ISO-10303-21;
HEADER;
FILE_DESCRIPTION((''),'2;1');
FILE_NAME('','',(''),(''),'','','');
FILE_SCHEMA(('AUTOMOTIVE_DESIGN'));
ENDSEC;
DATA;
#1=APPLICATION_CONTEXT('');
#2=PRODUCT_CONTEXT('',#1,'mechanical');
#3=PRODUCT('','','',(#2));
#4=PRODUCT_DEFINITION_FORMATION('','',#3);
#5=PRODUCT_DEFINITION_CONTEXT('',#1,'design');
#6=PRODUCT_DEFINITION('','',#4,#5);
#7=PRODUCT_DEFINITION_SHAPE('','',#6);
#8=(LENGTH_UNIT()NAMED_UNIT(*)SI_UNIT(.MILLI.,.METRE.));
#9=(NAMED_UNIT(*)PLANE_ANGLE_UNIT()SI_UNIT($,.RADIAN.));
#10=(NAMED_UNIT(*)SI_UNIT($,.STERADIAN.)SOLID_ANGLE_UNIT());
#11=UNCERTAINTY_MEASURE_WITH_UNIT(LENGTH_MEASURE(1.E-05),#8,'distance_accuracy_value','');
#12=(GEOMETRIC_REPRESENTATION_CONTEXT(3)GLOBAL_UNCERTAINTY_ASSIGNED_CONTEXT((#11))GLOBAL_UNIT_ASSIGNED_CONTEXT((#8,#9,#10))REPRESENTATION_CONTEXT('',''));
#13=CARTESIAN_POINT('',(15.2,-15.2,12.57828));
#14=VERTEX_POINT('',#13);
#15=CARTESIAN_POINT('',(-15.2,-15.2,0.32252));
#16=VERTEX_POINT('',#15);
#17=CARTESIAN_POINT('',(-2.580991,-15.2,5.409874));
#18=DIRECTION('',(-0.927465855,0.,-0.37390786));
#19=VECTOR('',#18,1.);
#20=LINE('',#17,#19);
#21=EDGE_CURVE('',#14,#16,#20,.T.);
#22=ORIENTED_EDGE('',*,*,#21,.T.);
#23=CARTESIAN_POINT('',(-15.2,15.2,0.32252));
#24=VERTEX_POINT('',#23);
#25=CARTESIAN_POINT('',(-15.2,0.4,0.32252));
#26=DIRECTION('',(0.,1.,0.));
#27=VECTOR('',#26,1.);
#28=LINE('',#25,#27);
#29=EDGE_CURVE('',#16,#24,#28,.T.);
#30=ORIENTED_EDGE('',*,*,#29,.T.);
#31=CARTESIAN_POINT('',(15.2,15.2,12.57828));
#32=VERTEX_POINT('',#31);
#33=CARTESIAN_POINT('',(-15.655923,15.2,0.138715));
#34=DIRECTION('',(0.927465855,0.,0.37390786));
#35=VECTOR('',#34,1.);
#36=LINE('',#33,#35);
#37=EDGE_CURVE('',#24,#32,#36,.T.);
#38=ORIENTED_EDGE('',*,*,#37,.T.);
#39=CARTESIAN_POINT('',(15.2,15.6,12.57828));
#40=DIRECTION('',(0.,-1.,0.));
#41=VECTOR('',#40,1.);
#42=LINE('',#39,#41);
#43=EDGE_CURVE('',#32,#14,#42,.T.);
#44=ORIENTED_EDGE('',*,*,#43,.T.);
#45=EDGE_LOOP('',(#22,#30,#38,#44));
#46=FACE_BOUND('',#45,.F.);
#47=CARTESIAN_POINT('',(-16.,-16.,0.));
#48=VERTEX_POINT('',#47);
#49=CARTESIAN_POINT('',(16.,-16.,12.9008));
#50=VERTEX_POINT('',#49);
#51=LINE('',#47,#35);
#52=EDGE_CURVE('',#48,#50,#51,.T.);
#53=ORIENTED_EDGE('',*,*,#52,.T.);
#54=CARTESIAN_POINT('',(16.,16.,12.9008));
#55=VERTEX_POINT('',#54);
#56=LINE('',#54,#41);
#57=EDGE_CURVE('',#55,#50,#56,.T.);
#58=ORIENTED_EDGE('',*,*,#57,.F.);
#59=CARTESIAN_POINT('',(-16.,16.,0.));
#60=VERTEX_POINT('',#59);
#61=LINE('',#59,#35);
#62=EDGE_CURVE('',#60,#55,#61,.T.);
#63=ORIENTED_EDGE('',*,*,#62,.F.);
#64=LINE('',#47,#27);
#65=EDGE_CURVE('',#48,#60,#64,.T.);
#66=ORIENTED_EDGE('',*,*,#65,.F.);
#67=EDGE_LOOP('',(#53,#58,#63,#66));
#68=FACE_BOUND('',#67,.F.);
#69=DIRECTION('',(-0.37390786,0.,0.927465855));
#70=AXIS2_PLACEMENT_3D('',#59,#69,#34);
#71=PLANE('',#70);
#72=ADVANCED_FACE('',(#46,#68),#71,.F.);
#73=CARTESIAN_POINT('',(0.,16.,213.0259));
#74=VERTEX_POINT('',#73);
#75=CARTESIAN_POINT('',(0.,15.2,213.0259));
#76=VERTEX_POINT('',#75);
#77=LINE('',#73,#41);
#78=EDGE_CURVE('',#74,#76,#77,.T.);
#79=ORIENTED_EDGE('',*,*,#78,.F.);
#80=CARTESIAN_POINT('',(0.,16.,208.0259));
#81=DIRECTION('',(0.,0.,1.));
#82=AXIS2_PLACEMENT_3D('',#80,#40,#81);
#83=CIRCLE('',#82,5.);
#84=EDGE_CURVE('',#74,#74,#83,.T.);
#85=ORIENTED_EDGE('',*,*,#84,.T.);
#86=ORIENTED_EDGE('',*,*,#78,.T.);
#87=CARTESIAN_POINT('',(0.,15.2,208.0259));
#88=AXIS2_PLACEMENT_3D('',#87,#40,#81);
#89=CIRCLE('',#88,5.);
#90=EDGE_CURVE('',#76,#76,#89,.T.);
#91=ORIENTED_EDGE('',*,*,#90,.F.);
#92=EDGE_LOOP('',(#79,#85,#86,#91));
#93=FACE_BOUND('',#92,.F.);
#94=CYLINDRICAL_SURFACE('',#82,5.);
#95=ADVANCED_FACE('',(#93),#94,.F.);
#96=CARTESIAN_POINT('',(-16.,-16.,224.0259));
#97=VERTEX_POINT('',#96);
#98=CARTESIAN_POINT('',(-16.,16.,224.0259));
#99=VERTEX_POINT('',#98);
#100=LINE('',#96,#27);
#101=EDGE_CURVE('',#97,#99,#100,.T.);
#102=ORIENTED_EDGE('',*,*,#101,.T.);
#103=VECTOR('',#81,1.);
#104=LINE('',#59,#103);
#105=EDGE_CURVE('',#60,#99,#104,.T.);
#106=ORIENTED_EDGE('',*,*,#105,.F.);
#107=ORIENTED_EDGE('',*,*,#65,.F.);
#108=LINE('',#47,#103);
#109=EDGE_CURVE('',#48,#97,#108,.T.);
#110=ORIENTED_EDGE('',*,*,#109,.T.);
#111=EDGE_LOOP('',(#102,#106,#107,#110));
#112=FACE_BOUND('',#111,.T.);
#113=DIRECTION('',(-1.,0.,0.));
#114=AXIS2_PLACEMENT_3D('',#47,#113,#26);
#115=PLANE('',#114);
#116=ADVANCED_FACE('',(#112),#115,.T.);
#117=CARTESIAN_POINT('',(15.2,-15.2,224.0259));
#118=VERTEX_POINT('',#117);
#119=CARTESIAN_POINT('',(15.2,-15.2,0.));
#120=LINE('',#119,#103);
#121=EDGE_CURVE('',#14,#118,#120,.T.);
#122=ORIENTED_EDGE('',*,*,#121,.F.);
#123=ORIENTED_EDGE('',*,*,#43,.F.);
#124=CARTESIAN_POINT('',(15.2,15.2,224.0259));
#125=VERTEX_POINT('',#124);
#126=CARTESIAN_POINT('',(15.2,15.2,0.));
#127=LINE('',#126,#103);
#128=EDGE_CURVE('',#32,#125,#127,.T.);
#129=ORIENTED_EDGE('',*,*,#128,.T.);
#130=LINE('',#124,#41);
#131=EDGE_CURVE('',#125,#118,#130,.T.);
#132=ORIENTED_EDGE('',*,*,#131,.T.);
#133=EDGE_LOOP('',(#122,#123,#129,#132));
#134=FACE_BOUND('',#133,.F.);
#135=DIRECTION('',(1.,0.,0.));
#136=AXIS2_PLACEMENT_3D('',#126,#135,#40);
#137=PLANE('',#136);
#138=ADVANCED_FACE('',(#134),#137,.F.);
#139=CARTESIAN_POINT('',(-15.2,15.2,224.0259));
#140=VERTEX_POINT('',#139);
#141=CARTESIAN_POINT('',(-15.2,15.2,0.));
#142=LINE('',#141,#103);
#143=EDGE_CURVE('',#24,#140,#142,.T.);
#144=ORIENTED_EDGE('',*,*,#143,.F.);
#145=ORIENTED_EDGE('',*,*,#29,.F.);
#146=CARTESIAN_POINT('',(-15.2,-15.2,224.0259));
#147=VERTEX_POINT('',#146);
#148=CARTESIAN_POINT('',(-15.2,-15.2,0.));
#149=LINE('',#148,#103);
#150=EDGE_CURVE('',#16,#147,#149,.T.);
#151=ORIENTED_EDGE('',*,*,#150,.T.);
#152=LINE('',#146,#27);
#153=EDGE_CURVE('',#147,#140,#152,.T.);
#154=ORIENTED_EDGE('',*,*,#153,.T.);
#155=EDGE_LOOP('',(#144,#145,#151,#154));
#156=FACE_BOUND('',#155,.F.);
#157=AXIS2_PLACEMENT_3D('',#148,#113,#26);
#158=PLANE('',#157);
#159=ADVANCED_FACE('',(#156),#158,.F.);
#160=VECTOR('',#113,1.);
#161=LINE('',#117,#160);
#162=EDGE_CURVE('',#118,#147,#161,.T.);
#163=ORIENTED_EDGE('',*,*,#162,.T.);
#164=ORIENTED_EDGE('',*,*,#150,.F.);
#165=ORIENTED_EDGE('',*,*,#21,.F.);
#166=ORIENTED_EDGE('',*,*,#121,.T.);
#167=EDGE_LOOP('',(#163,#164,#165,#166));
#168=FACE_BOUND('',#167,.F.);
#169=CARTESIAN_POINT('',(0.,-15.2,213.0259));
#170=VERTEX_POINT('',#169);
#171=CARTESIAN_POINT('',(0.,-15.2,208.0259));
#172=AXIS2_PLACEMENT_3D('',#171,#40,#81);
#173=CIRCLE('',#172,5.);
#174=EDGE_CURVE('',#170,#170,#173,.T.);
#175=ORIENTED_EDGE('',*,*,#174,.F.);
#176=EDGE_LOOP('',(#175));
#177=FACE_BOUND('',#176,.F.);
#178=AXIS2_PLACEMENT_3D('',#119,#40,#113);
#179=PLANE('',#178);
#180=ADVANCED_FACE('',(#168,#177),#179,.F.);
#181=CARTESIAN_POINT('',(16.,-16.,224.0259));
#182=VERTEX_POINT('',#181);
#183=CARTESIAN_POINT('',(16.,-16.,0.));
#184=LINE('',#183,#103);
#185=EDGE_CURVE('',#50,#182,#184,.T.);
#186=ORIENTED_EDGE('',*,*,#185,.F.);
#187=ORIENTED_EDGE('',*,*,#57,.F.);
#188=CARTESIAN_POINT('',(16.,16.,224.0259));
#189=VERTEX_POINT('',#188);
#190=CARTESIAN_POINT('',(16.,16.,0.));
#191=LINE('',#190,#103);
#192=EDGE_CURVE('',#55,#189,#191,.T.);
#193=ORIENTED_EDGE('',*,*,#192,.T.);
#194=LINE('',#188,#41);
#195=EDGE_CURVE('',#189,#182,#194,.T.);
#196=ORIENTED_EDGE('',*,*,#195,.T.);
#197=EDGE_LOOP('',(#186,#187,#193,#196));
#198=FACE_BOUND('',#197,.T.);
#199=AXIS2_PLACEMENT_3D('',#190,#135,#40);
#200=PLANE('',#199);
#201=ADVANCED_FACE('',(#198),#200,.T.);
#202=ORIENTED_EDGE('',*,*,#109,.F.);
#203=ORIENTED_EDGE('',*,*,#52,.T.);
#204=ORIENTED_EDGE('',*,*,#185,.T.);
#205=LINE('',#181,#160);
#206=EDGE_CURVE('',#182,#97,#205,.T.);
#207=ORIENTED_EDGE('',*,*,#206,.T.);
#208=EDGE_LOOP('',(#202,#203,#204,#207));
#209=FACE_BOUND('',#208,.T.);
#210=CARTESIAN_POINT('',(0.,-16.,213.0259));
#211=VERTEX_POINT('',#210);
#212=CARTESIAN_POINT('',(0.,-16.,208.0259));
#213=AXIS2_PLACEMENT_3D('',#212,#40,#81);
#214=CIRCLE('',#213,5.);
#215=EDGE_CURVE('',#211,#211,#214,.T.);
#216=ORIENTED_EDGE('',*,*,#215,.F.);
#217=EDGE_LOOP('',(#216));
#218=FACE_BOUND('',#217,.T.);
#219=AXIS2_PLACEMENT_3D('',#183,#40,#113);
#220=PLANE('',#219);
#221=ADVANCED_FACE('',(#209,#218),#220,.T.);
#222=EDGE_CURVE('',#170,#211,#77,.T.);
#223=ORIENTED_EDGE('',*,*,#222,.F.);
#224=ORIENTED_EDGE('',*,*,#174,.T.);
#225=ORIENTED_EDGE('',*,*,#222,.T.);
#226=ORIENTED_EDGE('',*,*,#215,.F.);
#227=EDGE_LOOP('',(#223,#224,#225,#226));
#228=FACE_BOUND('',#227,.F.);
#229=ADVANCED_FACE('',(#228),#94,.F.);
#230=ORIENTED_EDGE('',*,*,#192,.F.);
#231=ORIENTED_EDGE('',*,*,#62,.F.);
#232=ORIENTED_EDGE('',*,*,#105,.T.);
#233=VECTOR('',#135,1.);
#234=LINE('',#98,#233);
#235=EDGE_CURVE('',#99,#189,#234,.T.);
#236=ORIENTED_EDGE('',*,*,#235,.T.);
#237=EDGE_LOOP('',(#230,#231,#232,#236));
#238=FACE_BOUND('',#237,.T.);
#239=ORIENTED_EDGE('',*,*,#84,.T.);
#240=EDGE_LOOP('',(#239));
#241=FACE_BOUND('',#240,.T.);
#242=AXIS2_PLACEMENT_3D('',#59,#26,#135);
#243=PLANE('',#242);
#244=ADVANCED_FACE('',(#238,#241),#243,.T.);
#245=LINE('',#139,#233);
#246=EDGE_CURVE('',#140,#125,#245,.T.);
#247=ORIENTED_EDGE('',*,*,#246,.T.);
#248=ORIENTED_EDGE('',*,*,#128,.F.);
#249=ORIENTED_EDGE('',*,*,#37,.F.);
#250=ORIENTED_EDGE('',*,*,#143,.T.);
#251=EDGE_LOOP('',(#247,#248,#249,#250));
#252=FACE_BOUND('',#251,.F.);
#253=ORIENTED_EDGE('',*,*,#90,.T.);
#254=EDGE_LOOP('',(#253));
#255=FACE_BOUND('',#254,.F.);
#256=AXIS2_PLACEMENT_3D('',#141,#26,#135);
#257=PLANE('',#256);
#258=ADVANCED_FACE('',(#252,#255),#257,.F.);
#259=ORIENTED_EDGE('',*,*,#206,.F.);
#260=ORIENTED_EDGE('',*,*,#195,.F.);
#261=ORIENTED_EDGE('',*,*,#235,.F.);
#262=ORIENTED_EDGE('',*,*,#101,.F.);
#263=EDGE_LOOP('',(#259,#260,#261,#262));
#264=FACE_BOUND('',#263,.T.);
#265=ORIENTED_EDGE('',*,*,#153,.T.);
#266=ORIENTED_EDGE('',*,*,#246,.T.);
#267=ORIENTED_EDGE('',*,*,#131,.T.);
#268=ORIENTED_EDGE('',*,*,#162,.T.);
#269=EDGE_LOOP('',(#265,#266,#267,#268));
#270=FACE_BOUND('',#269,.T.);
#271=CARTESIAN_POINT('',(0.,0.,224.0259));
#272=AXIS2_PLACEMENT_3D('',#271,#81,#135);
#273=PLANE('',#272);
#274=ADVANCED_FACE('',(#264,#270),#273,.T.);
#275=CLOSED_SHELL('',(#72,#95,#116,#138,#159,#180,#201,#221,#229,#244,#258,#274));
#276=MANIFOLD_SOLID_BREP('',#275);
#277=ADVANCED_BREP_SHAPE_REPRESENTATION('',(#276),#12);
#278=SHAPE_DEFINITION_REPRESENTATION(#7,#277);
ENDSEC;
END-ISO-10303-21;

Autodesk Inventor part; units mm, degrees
ref_plane "YZ Plane" through (0, 0, 0) normal (1, 0, 0) x (0, 1, 0)
ref_plane "XZ Plane" through (0, 0, 0) normal (0, 1, 0) x (-1, 0, 0)
ref_plane "XY Plane" through (0, 0, 0) normal (0, 0, 1) x (1, 0, 0)
sketch "スケッチ1" plane through (0, 0, 0) normal (0, 0, 1) x (1, 0, 0)
  point P0 (0, 0)
sketch "スケッチ2" plane through (0, 0, 0) normal (0, 0, 1) x (1, 0, 0)
  line L0 (-16, 16) -> (16, 16)
  line L1 (16, 16) -> (16, -16)
  line L2 (16, -16) -> (-16, -16)
  line L3 (-16, -16) -> (-16, 16)
  line L4 (-16, 16) -> (16, -16) construction
  line L5 (16, 16) -> (-16, -16) construction
  line L6 (-15.2, 15.2) -> (15.2, 15.2)
  line L7 (15.2, 15.2) -> (15.2, -15.2)
  line L8 (15.2, -15.2) -> (-15.2, -15.2)
  line L9 (-15.2, -15.2) -> (-15.2, 15.2)
  line L10 (-15.2, 15.2) -> (15.2, -15.2) construction
  line L11 (15.2, 15.2) -> (-15.2, -15.2) construction
  point P0 (0, 0)
  point P1 (0, 0)
  dimension "d0" = 32
  dimension "d1" = 32
  dimension "d2" = 30.4
  dimension "d3" = 30.4
extrude "押し出し1" add sketch "スケッチ2" along normal blind 224.0259
sketch "スケッチ3" plane through (-16, 16, 0) normal (0, 1, 0) x (1, 0, 0)
  line L0 (32, -224.0259) -> (0, -224.0259) projected
  point P0 (16, 0)
  point P1 (16, -208.0259)
  dimension "d6" = 16
hole "穴1" at (0, 16, 208.0259) direction (0, -1, 0) diameter 10 end through all
sketch "スケッチ4" plane through (-16, 16, 0) normal (0, 1, 0) x (1, 0, 0)
  point P0 (16, 0)
sketch "スケッチ5" plane through (-16, 16, 0) normal (0, 1, 0) x (1, 0, 0)
  line L0 (0, 0) -> (32, -12.9008)
  line L1 (32, 0) -> (32, -224.0259) projected
  line L2 (0, 0) -> (34.5026, 0) construction
  line L3 (32, -12.9008) -> (32, 0)
  line L4 (0, 0) -> (32, 0) projected
  line L5 (32, 0) -> (0, 0)
  point P0 (16, 0)
  dimension "d14" = 21.957
extrude "押し出し2" cut sketch "スケッチ5" against normal blind 32
properties part number "アッカーマンpipe1"
